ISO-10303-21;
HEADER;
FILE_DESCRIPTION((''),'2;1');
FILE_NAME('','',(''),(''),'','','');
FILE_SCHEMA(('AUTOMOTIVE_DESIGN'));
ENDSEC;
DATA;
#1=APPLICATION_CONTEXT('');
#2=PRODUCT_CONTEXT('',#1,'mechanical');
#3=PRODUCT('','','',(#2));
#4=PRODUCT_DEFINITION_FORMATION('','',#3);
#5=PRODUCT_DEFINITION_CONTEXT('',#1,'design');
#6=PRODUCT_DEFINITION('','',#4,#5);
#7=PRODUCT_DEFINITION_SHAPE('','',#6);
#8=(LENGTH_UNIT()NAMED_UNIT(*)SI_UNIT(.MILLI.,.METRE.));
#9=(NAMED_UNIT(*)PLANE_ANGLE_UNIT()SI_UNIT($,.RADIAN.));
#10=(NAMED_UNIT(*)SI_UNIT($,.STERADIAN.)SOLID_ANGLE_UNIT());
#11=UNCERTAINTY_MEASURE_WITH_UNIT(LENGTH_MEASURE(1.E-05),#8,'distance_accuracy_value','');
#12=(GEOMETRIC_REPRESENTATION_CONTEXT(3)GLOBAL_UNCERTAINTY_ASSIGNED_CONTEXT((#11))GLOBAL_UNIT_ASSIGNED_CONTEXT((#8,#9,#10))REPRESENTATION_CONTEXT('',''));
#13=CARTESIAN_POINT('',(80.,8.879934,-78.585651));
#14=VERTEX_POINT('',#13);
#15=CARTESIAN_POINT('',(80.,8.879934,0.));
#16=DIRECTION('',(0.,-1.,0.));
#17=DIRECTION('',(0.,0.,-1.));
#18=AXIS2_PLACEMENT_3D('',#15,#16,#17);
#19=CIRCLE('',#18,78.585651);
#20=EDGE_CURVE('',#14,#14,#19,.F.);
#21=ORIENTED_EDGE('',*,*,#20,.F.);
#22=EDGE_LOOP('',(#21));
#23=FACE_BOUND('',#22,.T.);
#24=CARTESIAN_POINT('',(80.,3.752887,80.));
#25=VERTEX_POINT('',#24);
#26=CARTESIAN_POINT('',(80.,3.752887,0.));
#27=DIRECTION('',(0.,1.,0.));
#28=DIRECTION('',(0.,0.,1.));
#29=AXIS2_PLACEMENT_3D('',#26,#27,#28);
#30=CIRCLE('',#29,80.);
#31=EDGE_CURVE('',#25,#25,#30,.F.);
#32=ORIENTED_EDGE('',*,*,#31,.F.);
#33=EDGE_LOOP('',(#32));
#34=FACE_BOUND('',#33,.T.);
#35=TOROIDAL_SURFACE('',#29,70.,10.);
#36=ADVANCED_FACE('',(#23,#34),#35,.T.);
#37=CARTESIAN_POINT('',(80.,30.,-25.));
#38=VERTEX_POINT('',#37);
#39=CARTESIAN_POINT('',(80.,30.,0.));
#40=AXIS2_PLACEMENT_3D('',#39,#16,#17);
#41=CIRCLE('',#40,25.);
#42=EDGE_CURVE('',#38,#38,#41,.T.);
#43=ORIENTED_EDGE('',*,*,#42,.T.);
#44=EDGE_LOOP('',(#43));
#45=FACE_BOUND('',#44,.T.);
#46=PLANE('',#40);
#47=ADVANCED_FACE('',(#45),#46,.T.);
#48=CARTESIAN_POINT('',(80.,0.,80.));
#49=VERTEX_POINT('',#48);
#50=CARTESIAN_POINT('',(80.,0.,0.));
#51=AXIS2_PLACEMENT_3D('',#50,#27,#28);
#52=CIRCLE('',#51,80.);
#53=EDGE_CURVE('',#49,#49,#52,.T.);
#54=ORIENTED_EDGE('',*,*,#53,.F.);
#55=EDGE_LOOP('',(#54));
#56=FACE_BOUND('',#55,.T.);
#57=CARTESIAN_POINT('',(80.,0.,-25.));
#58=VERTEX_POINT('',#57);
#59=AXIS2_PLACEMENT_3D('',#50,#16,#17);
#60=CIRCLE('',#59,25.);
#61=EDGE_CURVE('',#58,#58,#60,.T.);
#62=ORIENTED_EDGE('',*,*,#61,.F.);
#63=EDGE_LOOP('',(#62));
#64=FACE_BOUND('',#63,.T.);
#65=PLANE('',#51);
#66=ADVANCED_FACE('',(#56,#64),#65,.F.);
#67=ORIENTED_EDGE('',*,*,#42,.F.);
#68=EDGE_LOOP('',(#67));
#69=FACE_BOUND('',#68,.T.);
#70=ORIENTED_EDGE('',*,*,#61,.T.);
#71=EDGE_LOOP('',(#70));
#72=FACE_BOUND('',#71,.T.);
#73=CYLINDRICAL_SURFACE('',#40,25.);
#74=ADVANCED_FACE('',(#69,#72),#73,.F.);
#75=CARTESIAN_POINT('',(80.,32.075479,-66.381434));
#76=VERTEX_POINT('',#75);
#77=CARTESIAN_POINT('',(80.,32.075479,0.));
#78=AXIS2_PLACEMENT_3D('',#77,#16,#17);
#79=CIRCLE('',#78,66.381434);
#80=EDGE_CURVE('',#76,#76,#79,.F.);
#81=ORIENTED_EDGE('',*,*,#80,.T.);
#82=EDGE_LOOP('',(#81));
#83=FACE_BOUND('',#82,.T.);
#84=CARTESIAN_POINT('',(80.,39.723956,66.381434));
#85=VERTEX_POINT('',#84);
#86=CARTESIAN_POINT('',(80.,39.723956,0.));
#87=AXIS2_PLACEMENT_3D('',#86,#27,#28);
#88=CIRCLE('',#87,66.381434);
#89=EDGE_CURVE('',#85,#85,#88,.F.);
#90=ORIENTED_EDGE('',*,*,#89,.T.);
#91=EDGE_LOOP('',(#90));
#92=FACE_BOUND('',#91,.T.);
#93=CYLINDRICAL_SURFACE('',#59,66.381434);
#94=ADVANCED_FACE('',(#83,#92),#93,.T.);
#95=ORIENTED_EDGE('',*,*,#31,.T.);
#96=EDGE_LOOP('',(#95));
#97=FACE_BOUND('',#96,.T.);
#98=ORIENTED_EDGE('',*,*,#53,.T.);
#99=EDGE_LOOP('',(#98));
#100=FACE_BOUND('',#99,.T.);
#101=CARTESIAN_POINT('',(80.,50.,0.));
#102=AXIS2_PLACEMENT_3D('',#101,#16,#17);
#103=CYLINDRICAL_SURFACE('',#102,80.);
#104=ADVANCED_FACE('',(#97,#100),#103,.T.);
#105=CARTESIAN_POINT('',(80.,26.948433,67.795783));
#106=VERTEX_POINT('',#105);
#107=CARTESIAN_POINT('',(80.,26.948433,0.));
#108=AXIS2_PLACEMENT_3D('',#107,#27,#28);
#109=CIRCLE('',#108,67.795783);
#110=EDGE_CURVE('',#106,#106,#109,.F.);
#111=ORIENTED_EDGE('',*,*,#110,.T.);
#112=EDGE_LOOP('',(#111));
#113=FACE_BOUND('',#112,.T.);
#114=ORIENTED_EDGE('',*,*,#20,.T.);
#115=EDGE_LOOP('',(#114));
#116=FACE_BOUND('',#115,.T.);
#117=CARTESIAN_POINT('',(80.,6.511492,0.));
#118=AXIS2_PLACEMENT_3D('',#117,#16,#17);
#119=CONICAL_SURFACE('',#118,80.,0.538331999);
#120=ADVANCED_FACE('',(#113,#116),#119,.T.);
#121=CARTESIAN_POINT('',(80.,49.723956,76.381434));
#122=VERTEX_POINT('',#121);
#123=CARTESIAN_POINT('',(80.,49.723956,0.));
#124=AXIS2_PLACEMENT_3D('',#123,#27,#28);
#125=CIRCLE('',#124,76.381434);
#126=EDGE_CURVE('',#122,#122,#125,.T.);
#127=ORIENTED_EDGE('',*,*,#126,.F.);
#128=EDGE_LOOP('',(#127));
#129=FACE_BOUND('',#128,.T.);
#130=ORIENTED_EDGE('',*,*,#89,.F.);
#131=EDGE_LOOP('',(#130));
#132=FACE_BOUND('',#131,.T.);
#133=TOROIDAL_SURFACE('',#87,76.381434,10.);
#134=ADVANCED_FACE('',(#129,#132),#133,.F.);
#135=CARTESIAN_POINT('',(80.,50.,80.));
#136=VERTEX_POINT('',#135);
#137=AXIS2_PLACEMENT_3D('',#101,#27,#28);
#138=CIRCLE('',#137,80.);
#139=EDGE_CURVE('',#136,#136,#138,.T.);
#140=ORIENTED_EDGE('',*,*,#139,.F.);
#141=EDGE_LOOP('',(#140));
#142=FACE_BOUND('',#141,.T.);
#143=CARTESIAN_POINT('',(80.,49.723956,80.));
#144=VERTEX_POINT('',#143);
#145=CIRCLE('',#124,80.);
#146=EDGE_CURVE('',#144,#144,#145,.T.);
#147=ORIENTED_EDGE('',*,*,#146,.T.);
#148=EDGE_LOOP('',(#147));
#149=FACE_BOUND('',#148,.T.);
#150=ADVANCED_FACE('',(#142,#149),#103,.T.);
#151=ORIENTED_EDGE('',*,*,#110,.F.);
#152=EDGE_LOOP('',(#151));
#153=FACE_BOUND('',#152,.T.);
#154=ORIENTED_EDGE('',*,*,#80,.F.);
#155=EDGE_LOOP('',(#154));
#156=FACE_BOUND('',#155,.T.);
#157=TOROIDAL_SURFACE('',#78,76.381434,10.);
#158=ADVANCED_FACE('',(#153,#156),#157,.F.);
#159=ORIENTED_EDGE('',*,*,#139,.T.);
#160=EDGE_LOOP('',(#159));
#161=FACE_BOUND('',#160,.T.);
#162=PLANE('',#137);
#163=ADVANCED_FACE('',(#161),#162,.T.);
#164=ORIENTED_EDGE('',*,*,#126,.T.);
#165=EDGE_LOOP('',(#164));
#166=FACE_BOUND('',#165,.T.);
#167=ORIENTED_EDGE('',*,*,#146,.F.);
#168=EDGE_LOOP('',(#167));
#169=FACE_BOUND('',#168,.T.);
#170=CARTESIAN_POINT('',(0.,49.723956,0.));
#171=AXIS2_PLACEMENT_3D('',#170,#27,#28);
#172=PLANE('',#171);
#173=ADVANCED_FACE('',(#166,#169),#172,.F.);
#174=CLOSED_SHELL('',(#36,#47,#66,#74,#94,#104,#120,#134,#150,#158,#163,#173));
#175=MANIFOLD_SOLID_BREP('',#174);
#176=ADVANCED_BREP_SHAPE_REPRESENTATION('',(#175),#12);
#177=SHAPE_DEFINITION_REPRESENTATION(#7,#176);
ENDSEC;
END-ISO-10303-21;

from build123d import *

# Parameters (mm, degrees)
SKETCH12_R          = 80
BOSS_EXTRUDE1_DEPTH = 50
SKETCH13_R          = 25
CUT_EXTRUDE2_DEPTH  = 30
FILLET1_R           = 10
FILLET3_R           = 10
FILLET4_R           = 10


with BuildPart() as part:
    # Sketch12 → Boss-Extrude1 (new body)
    with BuildSketch(Plane(origin=(0, 0, 0), x_dir=(1, 0, 0), z_dir=(0, 1, 0))):
        with Locations(Location((80, 0, 0), (0, 0, 270))):
            Circle(SKETCH12_R)
    extrude(amount=BOSS_EXTRUDE1_DEPTH)

    # Sketch13 → Cut-Extrude2 (cut)
    with BuildSketch(Plane.XZ):
        with Locations(Location((80, 0, 0), (0, 0, 270))):
            Circle(SKETCH13_R)
    extrude(amount=-CUT_EXTRUDE2_DEPTH, mode=Mode.SUBTRACT)

    # Sketch14 → Cut-Revolve1 (revolve, cut)
    with BuildSketch(Plane.XY, mode=Mode.PRIVATE) as cut_revolve1_sk:
        Polygon((-7.132081461, 6.511492019), (0, 6.511492019), (13.618566057, 29.316874818), (13.618566057, 49.723955856), (-7.132081461, 49.723955856), align=None)
    revolve(cut_revolve1_sk.sketch.rotate(Axis((80, 0, 0), (0, 1, 0)), 270), axis=Axis((80, 0, 0), (0, 1, 0)), mode=Mode.SUBTRACT)

    # Fillet1
    fillet1_edges = [part.edges().sort_by_distance(p)[0] for p in [
        (80, 49.723955856, 66.381433943),
    ]]
    fillet(fillet1_edges, radius=FILLET1_R)

    # Fillet3
    fillet3_edges = [part.edges().sort_by_distance(p)[0] for p in [
        (160, 6.511492019, 0),
    ]]
    fillet(fillet3_edges, radius=FILLET3_R)

    # Fillet4
    fillet4_edges = [part.edges().sort_by_distance(p)[0] for p in [
        (80, 29.316874818, 66.381433943),
    ]]
    fillet(fillet4_edges, radius=FILLET4_R)


solid = part.part
